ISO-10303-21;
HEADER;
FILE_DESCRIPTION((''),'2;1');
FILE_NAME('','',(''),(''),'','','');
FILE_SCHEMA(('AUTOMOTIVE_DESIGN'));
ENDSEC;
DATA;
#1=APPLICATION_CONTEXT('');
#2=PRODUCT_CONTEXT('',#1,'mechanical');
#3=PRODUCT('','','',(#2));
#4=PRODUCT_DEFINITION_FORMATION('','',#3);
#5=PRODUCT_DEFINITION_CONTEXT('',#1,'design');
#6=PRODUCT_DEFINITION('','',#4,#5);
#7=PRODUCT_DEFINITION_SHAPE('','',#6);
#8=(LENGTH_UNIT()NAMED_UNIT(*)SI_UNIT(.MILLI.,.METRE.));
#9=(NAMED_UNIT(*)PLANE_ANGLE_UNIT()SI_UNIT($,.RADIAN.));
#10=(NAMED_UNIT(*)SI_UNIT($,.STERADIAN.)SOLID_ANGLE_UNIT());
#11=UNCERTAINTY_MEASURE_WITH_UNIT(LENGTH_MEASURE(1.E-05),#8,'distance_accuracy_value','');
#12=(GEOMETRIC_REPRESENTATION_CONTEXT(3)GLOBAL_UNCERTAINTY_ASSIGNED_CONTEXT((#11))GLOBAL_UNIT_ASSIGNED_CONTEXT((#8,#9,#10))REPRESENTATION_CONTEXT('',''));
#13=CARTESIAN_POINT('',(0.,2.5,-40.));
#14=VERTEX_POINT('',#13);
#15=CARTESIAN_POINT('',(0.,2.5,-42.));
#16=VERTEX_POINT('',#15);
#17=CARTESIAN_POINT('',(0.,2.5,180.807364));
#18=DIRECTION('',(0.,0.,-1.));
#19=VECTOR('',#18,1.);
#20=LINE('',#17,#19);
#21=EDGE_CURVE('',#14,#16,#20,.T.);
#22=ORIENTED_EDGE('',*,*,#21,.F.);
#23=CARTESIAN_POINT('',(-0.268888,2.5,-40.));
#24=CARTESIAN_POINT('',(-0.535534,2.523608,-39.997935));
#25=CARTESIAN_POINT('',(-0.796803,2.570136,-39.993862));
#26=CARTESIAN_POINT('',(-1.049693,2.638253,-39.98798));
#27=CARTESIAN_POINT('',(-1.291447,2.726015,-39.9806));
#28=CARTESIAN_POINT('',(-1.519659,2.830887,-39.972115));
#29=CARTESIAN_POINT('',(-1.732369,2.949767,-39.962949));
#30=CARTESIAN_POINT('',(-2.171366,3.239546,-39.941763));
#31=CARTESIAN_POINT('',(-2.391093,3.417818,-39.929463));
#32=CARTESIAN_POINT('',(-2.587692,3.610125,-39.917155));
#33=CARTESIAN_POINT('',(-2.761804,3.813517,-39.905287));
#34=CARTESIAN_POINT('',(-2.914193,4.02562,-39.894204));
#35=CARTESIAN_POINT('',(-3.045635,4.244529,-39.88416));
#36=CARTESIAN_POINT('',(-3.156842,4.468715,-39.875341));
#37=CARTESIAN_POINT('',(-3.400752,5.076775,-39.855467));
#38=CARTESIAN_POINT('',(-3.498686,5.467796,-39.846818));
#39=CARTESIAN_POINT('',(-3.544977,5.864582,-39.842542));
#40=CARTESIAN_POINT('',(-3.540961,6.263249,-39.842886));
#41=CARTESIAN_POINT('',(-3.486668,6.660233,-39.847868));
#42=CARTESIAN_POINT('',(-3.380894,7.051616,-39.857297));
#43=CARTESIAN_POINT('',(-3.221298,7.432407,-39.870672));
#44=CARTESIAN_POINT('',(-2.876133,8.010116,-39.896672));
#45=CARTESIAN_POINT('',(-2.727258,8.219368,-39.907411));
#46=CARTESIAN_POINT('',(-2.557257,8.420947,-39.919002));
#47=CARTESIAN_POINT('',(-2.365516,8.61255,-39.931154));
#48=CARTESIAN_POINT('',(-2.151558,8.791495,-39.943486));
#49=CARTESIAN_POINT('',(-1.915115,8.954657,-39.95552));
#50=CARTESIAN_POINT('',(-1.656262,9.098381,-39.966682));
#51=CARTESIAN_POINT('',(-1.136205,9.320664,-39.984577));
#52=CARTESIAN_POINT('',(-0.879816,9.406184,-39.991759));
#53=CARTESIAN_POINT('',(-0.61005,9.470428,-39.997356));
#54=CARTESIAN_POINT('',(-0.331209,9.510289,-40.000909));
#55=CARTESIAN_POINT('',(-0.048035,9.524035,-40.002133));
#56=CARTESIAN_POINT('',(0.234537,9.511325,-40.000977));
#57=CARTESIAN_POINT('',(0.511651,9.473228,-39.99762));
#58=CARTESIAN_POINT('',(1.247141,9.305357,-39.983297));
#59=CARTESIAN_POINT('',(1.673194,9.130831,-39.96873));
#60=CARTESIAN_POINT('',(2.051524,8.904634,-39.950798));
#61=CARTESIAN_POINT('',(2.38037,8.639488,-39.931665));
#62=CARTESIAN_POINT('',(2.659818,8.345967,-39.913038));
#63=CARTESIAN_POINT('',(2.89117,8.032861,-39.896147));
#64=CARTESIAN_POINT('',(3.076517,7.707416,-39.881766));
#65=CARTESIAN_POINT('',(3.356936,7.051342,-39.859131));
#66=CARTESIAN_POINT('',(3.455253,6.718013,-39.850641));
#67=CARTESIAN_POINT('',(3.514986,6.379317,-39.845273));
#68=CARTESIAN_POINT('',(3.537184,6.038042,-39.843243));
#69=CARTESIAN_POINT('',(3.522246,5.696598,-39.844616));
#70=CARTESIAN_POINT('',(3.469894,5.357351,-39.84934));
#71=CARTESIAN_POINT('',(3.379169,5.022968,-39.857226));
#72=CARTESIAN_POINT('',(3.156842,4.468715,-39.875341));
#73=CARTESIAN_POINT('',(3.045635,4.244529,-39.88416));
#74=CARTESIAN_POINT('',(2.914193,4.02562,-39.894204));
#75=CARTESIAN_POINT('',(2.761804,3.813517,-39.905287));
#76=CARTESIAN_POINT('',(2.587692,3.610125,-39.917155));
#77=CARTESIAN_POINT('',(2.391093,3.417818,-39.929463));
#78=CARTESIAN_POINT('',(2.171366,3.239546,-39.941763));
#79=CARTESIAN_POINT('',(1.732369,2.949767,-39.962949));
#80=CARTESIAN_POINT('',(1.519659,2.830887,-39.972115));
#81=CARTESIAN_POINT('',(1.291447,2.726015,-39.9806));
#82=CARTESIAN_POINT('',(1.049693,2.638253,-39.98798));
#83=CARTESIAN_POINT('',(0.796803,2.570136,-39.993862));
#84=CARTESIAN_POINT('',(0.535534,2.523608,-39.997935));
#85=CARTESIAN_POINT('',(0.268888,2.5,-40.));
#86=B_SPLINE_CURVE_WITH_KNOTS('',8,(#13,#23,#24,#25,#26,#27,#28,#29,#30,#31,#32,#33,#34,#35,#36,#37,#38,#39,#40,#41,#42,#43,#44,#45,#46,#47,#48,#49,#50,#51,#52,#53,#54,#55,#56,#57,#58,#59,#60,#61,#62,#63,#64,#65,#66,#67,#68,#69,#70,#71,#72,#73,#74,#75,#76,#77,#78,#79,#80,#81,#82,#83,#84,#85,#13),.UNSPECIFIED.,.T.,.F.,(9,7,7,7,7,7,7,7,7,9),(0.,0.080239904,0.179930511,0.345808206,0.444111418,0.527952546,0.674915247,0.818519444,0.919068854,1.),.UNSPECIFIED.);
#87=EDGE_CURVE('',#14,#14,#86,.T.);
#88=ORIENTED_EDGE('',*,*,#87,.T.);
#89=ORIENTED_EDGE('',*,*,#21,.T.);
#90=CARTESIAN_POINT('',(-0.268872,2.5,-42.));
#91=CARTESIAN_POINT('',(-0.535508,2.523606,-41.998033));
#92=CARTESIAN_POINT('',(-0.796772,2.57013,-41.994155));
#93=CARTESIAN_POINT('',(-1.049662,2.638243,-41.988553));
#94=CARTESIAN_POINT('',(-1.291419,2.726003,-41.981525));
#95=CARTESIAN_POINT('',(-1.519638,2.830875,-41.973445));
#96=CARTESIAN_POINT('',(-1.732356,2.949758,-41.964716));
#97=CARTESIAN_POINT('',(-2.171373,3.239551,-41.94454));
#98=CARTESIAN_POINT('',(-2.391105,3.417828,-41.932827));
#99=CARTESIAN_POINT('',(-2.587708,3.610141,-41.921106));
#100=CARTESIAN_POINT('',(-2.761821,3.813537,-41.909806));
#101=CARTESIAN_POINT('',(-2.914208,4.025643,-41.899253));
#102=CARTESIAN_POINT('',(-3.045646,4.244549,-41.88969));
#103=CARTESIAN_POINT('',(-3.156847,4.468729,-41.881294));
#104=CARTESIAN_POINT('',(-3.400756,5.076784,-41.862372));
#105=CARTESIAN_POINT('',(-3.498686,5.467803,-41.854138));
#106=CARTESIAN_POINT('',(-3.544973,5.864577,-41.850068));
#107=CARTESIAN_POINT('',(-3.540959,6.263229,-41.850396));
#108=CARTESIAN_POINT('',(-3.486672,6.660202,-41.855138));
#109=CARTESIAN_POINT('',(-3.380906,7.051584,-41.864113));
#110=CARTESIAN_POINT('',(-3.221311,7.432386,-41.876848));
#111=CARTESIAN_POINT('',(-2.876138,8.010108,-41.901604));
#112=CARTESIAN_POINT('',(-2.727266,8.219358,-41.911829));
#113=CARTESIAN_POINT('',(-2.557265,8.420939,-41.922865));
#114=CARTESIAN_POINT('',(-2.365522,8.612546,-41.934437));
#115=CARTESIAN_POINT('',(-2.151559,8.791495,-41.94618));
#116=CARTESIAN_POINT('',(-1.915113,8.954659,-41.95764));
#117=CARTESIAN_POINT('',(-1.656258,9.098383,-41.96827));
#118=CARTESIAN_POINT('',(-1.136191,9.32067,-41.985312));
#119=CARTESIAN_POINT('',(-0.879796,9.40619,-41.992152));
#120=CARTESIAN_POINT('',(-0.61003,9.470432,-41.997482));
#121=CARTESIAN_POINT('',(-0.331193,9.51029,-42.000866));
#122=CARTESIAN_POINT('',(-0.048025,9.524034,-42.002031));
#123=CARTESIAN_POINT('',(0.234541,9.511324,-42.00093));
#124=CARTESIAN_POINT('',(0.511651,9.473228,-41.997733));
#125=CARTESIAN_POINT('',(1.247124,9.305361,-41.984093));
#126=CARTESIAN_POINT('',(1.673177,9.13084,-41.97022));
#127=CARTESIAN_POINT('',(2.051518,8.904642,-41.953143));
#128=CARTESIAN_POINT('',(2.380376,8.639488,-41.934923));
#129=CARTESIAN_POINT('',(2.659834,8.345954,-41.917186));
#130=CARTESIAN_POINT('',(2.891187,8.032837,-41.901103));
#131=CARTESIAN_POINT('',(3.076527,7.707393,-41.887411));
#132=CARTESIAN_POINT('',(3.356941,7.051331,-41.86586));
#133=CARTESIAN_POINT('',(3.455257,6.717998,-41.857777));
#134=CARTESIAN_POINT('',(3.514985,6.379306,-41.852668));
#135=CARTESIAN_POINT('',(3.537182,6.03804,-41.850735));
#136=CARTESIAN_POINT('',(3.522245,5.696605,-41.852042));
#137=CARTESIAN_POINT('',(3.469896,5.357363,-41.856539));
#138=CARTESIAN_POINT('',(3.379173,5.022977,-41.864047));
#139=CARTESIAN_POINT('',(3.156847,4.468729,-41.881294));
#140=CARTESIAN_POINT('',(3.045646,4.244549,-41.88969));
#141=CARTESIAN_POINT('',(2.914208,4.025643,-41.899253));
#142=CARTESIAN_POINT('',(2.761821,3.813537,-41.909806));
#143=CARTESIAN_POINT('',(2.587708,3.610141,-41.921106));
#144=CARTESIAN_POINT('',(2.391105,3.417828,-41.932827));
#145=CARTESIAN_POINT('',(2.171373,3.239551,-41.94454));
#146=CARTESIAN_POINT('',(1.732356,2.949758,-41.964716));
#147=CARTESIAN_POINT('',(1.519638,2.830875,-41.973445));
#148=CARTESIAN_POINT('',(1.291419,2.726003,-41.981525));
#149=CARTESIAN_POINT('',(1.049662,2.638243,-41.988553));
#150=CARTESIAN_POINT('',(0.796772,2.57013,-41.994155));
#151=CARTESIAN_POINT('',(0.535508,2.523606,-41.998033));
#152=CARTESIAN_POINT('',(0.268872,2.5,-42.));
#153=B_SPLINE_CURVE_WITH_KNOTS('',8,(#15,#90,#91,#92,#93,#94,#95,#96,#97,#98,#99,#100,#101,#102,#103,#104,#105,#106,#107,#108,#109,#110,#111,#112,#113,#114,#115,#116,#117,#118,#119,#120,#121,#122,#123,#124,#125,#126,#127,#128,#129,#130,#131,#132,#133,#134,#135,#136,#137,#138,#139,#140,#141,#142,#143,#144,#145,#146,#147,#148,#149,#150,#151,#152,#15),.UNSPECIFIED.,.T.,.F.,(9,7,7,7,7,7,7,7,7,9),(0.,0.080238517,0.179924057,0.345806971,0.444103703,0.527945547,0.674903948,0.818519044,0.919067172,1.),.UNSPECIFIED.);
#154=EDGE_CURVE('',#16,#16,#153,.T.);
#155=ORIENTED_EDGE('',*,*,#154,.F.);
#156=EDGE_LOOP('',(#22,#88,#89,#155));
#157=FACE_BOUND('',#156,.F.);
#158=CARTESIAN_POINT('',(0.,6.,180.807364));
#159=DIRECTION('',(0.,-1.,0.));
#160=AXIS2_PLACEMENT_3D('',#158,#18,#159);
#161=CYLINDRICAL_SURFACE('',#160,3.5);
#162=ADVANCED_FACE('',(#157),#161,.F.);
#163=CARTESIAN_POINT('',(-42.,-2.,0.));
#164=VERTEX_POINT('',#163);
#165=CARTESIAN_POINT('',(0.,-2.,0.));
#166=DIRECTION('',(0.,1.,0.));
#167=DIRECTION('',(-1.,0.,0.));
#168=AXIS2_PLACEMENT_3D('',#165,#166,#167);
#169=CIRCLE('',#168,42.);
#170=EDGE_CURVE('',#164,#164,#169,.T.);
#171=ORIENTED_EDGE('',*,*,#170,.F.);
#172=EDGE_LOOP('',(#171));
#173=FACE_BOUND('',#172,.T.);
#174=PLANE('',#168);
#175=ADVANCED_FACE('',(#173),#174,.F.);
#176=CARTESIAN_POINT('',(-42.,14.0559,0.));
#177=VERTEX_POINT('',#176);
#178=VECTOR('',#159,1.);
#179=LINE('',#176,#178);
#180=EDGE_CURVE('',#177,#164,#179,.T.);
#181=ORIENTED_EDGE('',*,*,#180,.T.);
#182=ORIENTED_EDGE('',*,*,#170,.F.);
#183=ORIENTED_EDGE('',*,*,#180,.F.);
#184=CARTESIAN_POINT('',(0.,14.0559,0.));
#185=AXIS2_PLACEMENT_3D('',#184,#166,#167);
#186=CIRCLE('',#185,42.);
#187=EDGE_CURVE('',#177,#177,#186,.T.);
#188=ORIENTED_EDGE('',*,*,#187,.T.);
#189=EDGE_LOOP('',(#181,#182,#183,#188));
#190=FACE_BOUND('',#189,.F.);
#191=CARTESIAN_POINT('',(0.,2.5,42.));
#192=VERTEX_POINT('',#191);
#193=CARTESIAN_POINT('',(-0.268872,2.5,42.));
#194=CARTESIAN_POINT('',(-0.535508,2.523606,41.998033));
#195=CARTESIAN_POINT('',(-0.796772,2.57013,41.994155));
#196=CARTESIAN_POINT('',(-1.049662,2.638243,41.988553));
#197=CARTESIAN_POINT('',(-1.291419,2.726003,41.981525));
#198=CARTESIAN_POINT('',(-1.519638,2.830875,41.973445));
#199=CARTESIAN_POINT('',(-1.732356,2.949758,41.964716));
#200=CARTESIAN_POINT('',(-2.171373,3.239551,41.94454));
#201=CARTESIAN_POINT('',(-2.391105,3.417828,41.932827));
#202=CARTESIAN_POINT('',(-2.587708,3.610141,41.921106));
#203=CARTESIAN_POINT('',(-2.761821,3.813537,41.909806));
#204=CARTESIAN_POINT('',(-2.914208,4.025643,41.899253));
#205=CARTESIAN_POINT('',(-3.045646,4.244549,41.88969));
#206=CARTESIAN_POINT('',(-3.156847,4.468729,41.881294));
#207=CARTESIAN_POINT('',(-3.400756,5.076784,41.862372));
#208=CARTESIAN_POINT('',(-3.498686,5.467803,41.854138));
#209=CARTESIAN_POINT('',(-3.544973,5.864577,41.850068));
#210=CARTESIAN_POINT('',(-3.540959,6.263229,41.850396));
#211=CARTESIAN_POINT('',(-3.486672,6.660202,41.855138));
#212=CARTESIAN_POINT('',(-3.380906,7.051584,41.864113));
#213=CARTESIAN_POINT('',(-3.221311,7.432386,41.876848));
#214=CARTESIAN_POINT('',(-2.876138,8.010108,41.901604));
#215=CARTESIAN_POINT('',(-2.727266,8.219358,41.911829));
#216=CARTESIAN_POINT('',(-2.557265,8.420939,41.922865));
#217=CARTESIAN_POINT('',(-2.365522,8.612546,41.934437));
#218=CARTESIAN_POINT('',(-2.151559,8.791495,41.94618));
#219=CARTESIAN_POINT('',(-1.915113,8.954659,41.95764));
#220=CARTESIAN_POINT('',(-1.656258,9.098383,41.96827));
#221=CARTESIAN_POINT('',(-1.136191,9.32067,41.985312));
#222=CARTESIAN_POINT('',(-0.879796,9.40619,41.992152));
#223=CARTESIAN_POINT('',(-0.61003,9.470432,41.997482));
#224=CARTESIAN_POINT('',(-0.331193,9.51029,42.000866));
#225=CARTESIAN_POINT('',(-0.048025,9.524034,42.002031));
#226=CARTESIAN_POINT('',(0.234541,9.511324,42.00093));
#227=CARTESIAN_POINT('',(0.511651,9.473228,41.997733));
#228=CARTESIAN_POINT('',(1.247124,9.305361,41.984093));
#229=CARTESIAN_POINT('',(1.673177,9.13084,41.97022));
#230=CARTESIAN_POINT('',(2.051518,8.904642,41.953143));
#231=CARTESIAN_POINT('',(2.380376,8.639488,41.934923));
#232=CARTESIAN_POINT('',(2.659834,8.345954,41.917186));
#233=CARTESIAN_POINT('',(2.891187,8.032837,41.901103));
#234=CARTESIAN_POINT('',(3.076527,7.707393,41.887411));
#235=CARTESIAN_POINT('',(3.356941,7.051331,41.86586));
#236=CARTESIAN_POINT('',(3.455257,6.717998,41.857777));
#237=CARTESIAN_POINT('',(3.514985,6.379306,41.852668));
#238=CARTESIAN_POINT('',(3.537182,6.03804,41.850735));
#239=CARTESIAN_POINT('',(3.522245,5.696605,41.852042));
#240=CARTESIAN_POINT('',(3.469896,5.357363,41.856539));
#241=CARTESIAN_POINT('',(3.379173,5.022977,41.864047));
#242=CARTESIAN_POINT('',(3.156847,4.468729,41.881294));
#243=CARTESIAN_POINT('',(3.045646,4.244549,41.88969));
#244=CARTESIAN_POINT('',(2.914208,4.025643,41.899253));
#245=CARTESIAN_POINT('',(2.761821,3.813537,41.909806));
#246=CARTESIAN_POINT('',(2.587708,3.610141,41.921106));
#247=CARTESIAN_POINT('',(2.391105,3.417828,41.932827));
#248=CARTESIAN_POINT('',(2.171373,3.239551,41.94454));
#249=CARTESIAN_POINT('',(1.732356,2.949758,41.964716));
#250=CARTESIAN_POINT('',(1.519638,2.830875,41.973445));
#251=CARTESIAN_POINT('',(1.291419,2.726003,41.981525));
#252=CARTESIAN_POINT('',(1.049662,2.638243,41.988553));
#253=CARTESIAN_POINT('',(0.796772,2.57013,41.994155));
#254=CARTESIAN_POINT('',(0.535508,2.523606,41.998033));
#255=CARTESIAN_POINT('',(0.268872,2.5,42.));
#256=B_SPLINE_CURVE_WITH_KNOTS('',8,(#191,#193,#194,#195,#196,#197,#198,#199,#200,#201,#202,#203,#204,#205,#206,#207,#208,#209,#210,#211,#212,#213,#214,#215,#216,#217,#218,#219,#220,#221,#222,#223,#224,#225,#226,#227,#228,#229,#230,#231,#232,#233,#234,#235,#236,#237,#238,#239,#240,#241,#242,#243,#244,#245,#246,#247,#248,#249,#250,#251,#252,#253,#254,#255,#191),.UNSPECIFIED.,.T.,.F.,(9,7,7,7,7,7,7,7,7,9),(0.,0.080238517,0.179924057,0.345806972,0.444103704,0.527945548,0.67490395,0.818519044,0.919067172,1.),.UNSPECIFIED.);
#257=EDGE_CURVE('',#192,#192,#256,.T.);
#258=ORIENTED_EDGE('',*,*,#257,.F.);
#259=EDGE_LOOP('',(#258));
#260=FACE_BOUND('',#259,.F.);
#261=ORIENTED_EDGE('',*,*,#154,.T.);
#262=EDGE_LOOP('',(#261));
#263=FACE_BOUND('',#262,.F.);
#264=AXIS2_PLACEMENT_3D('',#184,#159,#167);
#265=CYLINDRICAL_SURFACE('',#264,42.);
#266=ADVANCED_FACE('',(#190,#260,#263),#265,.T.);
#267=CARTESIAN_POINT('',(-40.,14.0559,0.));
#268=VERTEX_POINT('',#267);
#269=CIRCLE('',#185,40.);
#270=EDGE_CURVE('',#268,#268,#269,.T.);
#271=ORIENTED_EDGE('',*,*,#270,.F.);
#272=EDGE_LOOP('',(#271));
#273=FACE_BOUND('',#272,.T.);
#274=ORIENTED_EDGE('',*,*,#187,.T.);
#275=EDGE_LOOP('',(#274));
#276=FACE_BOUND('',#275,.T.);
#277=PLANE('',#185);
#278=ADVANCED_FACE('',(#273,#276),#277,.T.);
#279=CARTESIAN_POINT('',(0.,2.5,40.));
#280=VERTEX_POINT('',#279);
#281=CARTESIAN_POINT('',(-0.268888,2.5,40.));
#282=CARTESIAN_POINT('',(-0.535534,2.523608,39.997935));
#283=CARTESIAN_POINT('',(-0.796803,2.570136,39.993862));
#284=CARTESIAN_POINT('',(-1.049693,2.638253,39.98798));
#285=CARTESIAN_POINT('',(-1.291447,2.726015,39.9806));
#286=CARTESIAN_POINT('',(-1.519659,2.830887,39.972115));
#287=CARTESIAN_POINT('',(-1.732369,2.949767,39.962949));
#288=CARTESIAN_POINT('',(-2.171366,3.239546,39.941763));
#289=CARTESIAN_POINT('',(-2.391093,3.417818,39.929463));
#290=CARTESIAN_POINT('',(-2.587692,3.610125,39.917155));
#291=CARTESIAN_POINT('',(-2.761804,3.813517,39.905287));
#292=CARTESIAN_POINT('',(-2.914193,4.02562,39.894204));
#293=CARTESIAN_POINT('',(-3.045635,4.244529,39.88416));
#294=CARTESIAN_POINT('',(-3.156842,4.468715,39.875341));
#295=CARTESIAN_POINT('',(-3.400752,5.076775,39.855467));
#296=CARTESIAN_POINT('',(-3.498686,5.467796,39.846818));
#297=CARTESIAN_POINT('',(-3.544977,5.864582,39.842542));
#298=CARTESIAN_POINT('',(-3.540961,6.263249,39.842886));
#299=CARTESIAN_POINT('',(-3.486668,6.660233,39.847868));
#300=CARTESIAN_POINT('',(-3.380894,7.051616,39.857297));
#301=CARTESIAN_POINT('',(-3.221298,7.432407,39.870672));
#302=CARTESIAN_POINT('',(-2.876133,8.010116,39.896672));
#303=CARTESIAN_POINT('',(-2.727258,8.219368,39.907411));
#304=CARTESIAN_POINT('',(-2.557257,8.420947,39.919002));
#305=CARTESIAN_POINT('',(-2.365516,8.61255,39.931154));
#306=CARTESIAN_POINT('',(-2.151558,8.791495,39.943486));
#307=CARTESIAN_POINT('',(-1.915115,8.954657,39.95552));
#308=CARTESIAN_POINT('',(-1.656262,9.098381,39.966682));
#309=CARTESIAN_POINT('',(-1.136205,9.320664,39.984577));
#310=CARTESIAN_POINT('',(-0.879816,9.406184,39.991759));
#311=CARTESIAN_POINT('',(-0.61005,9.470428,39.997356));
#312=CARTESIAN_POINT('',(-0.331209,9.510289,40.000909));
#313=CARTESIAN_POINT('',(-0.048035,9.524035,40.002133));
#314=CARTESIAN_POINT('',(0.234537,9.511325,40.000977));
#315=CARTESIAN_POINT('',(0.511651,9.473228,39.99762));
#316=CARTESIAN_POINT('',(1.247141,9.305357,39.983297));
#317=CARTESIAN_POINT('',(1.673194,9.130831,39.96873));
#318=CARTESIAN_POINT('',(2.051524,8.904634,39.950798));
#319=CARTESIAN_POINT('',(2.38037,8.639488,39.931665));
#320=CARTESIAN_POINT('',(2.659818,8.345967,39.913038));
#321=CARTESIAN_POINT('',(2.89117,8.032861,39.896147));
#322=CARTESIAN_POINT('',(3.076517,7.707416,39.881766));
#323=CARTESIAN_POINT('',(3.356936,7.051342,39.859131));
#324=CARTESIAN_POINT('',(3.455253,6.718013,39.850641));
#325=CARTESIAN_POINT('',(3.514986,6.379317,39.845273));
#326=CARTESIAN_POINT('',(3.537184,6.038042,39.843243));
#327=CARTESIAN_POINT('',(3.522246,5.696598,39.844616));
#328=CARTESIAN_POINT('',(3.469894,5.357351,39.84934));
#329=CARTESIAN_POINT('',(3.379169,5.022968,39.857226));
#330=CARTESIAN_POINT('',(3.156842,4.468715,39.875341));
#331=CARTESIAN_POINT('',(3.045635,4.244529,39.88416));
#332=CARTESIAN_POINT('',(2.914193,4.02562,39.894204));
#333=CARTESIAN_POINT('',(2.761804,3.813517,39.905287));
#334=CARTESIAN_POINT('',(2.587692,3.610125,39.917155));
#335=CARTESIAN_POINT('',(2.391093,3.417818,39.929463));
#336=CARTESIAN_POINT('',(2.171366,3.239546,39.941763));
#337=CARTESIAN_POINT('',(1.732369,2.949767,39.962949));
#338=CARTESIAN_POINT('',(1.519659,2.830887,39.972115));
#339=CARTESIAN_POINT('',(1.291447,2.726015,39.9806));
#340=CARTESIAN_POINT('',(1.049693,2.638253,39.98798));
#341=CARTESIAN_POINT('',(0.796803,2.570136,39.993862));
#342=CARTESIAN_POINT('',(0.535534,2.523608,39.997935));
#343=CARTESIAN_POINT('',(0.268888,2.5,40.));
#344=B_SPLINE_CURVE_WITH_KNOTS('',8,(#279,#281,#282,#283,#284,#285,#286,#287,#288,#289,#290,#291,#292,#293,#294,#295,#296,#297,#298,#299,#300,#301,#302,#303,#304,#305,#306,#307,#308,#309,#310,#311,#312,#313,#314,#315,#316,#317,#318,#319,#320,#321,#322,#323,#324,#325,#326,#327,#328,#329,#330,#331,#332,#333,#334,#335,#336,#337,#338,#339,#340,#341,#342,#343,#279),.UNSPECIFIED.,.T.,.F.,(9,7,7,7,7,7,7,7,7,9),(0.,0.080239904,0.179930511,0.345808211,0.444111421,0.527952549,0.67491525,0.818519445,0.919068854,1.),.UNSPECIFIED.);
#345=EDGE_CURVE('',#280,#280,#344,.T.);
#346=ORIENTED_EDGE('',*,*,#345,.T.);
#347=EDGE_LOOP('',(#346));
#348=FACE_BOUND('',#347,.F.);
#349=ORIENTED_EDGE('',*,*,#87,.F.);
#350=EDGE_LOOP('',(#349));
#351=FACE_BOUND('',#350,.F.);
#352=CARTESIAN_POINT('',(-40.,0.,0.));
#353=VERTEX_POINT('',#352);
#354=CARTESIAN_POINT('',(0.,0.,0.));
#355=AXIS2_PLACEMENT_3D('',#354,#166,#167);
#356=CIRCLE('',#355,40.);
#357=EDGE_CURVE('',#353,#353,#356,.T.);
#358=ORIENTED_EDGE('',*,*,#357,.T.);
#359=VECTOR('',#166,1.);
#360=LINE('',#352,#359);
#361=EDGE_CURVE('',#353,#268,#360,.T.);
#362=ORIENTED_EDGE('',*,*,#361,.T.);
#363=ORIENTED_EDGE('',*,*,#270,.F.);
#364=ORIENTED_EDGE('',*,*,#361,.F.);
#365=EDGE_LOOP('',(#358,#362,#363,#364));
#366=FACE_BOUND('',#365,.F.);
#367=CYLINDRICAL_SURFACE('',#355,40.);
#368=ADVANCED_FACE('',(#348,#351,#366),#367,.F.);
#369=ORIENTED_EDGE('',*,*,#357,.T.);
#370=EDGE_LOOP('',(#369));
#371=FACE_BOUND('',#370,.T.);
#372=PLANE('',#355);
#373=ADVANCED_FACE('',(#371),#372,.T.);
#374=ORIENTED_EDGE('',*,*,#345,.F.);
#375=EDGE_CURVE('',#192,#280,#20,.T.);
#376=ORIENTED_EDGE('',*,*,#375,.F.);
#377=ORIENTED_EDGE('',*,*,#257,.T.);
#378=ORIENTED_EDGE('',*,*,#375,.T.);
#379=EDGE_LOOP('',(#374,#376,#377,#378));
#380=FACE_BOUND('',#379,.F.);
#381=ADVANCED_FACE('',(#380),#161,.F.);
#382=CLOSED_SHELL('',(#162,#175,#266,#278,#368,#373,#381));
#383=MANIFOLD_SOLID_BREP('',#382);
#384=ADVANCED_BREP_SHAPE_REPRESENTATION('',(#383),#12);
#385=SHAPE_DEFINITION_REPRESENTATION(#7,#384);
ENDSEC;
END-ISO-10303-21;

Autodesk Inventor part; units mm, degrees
ref_plane "YZ Plane" through (0, 0, 0) normal (1, 0, 0) x (0, 1, 0)
ref_plane "XZ Plane" through (0, 0, 0) normal (0, 1, 0) x (-1, 0, 0)
ref_plane "XY Plane" through (0, 0, 0) normal (0, 0, 1) x (1, 0, 0)
sketch "Sketch1" plane through (0, 0, 0) normal (0, 0, 1) x (1, 0, 0)
  line L0 (-40, 0) -> (-40, 14.0559)
  line L1 (-42, 14.0559) -> (-42, -2)
  line L2 (-40, 0) -> (0, 0)
  line L3 (0, 0) -> (0, -2)
  line L4 (0, -2) -> (-42, -2)
  line L5 (0, -5.2112) -> (0, 17.2671) projected
  line L6 (-42, 14.0559) -> (-40, 14.0559)
  dimension "d5" = 2
  dimension "radius" = 40
  dimension "d7" = 2
revolve "Revolution1" add sketch "Sketch1" angle 360 about axis through (0, -10, 0) along (0, 1, 0)
sketch "Sketch4" plane through (0, 0, 0) normal (0, 0, 1) x (1, 0, 0)
  line L0 (40.24, 12) -> (-40.24, 12) projected
  line L1 (0, 0) -> (0, 6)
  line L2 (0, 6) -> (0, 12)
hole "Hole3" at (0, 6, 0) direction (0, 0, -1) diameter 7 end through all both
equation "\"d30\" = PenetrationUpstreamInnerDiameter + 2 * PenetrationUpstreamThickness"
equation "\"d5\" = thickness"
equation "\"radius\" = 0.5 * SaltDiameter"
equation "\"d7\" = thickness"
equation "\"thickness\" = crucible_thickness"
equation "\"CrucibleHeightBelowMembrane\" = 14"
equation "\"PenetrationUpstreamInnerDiameter\" = 5"
equation "\"PenetrationUpstreamThickness\" = 1"
equation "\"SaltDiameter\" = 80"
equation "\"crucible_thickness\" = 2"
properties part number "UpstreamVolume"
